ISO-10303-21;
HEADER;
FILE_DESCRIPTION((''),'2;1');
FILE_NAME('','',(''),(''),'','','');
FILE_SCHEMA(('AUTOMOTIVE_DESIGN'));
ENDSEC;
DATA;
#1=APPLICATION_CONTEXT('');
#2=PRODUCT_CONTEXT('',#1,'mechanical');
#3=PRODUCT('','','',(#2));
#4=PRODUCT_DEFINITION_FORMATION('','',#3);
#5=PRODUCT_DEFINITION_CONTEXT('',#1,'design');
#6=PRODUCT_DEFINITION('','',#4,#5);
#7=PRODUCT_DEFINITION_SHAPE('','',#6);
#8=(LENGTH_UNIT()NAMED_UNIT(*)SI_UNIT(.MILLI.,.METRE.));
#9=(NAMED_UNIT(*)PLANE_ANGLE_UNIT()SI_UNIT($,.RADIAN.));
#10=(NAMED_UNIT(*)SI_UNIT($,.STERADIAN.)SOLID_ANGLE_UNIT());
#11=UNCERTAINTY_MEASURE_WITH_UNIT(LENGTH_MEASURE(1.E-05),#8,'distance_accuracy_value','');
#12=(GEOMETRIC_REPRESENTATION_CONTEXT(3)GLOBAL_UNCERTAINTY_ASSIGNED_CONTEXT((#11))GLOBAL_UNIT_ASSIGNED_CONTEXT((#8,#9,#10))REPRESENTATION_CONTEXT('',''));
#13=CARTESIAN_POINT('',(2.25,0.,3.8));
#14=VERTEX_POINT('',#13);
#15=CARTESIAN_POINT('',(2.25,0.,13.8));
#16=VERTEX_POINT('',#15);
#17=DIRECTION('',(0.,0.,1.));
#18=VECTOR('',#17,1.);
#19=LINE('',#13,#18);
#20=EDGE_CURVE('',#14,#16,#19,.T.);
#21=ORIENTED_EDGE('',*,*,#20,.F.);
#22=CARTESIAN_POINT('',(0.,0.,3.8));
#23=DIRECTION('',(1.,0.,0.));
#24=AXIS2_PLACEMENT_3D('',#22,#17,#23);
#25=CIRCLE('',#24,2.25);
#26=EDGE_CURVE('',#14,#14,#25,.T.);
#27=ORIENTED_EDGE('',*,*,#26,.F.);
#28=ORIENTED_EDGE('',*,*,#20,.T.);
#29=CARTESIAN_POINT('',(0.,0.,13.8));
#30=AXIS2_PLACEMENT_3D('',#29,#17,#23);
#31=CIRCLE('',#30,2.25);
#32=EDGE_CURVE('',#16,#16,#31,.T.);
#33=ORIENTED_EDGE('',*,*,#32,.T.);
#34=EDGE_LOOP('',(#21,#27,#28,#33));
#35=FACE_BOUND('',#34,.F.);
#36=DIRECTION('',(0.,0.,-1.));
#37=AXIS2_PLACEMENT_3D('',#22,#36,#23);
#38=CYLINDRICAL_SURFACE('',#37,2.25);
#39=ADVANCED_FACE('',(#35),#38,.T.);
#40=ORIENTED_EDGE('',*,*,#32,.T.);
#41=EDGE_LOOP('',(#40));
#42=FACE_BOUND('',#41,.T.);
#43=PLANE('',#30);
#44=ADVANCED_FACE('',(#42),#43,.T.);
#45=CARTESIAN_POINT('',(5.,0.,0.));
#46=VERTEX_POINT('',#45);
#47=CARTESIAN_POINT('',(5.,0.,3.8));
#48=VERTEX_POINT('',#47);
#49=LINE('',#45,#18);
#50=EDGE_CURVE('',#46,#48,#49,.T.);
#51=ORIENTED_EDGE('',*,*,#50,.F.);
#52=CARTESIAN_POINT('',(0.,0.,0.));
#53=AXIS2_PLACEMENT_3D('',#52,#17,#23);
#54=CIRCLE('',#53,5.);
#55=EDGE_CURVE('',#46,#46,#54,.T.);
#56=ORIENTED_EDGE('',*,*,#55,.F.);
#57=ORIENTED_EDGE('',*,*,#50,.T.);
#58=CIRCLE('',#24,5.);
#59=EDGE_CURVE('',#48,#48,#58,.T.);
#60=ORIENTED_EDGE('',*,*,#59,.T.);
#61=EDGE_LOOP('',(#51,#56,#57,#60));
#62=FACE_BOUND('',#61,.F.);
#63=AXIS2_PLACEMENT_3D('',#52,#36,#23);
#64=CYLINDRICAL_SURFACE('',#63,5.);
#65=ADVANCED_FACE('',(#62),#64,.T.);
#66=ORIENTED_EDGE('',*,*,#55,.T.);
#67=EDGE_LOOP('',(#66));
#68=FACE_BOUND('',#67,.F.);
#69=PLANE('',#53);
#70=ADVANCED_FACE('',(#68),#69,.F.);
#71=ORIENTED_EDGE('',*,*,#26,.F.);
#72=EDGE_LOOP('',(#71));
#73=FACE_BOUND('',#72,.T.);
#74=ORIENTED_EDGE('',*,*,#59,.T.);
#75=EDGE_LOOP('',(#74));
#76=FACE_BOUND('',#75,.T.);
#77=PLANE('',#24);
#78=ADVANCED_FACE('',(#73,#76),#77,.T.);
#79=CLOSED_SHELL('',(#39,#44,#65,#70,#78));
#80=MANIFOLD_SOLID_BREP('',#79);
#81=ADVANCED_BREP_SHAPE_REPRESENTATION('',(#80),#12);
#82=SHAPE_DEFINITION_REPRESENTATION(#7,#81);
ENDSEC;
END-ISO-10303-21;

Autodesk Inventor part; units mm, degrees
ref_plane "YZ Plane" through (0, 0, 0) normal (1, 0, 0) x (0, 1, 0)
ref_plane "XZ Plane" through (0, 0, 0) normal (0, 1, 0) x (-1, 0, 0)
ref_plane "XY Plane" through (0, 0, 0) normal (0, 0, 1) x (1, 0, 0)
sketch "Sketch1" plane through (0, 0, 0) normal (0, 0, 1) x (1, 0, 0)
  circle A0 centre (0, 0) radius 5
  dimension "d0" = 10
extrude "Extrusion1" add sketch "Sketch1" along normal blind 3.8
sketch "Sketch2" plane through (0, 0, 3.8) normal (0, 0, 1) x (1, 0, 0)
  circle A0 centre (0, 0) radius 2.25
  dimension "d3" = 4.5
extrude "Extrusion2" add sketch "Sketch2" along normal blind 10
properties part number "10-06-010 Buotn_Urgenta"
